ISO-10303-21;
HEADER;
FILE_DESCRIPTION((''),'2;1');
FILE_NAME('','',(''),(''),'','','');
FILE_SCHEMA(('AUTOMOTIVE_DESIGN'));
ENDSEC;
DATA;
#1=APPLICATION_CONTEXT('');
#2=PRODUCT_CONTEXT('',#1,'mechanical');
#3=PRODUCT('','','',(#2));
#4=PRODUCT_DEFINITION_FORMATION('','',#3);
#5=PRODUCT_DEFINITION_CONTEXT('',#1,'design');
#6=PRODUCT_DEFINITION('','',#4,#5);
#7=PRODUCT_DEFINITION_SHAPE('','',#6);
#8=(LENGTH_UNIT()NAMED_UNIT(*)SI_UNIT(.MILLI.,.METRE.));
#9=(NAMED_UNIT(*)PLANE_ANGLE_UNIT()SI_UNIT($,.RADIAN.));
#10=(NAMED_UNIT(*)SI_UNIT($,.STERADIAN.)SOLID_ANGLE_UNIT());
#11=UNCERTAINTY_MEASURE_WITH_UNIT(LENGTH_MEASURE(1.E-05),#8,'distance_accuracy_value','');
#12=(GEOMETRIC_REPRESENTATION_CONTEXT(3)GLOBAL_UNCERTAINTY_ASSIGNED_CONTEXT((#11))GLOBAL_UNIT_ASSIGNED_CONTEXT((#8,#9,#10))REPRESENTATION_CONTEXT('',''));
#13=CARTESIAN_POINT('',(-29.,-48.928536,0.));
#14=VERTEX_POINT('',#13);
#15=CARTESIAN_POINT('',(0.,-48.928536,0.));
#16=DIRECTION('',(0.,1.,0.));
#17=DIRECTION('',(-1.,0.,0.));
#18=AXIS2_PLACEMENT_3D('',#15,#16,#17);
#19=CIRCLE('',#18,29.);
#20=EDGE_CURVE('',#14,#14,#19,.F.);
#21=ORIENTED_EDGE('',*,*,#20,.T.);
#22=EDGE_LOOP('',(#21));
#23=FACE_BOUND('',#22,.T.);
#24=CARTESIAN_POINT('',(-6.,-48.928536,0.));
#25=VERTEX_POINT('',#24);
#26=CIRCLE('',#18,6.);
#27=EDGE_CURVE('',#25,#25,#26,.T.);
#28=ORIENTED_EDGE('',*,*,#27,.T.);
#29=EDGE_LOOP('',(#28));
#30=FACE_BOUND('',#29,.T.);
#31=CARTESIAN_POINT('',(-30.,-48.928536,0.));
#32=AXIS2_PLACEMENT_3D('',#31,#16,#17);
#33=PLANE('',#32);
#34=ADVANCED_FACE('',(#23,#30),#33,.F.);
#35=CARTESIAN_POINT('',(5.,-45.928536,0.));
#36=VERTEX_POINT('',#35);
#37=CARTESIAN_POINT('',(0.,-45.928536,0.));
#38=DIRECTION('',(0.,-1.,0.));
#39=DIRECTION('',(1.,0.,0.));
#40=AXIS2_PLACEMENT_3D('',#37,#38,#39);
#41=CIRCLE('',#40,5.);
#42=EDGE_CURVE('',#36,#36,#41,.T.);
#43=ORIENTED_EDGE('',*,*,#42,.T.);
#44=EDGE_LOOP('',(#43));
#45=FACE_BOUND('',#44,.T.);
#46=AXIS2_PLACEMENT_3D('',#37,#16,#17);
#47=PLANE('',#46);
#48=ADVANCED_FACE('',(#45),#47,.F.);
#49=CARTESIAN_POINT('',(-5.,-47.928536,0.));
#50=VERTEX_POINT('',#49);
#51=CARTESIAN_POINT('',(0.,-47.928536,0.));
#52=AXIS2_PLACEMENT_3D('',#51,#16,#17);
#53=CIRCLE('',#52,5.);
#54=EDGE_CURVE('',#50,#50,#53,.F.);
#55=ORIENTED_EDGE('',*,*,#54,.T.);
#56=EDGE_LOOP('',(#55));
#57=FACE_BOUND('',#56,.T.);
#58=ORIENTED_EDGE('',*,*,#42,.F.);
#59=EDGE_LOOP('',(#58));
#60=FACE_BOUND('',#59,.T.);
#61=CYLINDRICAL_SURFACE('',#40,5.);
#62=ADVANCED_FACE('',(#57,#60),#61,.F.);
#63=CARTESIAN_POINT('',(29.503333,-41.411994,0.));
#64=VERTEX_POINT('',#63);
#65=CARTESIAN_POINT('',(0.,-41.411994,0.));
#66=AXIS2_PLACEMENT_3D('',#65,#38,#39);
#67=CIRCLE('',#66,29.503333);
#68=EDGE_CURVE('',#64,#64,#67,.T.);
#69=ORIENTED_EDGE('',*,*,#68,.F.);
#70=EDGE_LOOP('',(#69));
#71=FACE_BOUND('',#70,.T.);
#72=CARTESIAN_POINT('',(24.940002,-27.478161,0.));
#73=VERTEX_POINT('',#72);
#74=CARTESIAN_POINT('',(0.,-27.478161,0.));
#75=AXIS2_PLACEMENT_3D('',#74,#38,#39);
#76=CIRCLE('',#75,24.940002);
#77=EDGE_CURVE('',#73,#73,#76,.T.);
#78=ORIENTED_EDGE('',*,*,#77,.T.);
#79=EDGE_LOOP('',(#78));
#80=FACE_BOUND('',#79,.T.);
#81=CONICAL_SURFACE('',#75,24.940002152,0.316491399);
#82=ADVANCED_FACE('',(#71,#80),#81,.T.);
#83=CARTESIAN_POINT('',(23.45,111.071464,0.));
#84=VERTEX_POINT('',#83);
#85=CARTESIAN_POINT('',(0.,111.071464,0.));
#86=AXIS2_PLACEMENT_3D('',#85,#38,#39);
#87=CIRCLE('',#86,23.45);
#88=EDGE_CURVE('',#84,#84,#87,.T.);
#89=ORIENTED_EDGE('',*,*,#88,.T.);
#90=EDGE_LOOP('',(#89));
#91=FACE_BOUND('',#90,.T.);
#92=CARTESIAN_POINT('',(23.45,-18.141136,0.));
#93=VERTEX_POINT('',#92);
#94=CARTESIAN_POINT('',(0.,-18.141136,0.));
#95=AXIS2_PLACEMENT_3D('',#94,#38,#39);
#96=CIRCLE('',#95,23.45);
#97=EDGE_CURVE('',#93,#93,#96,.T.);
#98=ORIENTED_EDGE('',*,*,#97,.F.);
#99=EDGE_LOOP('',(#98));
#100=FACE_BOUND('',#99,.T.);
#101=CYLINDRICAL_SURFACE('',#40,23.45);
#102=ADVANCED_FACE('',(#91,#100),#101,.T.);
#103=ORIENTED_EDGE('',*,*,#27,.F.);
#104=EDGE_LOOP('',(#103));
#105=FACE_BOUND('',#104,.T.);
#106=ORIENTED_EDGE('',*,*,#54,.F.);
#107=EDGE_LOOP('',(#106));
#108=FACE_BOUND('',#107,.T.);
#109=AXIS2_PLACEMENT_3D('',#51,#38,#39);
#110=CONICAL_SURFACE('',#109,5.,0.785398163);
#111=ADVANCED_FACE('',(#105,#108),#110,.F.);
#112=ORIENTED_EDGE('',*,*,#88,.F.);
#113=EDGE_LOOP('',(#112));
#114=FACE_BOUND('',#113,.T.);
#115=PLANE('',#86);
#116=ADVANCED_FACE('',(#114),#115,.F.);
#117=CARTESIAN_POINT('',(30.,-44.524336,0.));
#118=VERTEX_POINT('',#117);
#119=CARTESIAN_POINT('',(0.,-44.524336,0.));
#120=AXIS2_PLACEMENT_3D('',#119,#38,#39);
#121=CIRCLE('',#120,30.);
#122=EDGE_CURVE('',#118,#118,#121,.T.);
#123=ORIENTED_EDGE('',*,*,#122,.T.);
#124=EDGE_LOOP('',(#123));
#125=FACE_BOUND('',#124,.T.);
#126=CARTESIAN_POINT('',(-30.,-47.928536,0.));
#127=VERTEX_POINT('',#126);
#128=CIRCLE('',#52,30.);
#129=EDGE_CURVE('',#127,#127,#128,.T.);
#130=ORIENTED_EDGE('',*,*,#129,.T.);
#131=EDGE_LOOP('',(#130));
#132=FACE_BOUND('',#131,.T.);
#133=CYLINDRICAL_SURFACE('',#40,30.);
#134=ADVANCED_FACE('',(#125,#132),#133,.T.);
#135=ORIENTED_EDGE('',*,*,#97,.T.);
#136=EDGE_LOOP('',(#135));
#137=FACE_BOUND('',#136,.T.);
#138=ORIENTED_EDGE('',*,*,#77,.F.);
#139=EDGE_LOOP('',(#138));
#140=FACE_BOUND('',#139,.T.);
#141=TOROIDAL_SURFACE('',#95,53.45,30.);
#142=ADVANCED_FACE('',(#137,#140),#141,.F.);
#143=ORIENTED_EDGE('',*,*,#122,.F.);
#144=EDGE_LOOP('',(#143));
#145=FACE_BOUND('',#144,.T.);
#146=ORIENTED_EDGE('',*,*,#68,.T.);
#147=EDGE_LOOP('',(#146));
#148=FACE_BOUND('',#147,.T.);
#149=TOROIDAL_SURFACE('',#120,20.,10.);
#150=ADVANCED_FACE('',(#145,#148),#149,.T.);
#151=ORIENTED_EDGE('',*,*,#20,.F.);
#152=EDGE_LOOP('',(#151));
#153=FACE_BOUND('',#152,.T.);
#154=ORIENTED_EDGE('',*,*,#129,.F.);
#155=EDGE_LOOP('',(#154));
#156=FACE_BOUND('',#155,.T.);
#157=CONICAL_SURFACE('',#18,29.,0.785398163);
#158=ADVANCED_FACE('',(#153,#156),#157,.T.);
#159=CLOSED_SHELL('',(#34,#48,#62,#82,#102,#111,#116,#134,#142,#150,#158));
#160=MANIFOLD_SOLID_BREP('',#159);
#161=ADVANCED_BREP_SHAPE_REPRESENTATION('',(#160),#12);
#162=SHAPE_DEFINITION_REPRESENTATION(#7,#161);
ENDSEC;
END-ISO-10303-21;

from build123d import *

# Parameters (mm, degrees)
SFAZOWANIE1_SIZE = 1


with BuildPart() as part:
    # Szkic1 → Obrót1 (revolve)
    with BuildSketch(Plane.XY, mode=Mode.PRIVATE) as obr_t1_sk:
        with BuildLine():
            Line((0, 111.071464226), (-23.45, 111.071464226))
            Line((-23.45, 111.071464226), (-23.45, -18.141136369))
            ThreePointArc((-23.45, -18.141136369), (-23.824842317, -22.868718444), (-24.940002152, -27.478160664))
            Line((-24.940002152, -27.478160664), (-29.503332616, -41.411994143))
            ThreePointArc((-29.503332616, -41.411994143), (-29.875052561, -42.948474884), (-30, -44.524335575))
            Line((-30, -44.524335575), (-30, -48.928535774))
            Line((-30, -48.928535774), (-5, -48.928535774))
            Line((-5, -48.928535774), (-5, -45.928535774))
            Line((-5, -45.928535774), (0, -45.928535774))
            Line((0, -45.928535774), (0, 111.071464226))
        make_face()
    revolve(obr_t1_sk.sketch.rotate(Axis((0, -45.928535774, 0), (0, 1, 0)), 180), axis=Axis((0, -45.928535774, 0), (0, 1, 0)))

    # Sfazowanie1
    sfazowanie1_edges = [part.edges().sort_by_distance(p)[0] for p in [
        (-5, -48.928535774, 0),
        (-30, -48.928535774, 0),
    ]]
    chamfer(sfazowanie1_edges, length=SFAZOWANIE1_SIZE)


solid = part.part
